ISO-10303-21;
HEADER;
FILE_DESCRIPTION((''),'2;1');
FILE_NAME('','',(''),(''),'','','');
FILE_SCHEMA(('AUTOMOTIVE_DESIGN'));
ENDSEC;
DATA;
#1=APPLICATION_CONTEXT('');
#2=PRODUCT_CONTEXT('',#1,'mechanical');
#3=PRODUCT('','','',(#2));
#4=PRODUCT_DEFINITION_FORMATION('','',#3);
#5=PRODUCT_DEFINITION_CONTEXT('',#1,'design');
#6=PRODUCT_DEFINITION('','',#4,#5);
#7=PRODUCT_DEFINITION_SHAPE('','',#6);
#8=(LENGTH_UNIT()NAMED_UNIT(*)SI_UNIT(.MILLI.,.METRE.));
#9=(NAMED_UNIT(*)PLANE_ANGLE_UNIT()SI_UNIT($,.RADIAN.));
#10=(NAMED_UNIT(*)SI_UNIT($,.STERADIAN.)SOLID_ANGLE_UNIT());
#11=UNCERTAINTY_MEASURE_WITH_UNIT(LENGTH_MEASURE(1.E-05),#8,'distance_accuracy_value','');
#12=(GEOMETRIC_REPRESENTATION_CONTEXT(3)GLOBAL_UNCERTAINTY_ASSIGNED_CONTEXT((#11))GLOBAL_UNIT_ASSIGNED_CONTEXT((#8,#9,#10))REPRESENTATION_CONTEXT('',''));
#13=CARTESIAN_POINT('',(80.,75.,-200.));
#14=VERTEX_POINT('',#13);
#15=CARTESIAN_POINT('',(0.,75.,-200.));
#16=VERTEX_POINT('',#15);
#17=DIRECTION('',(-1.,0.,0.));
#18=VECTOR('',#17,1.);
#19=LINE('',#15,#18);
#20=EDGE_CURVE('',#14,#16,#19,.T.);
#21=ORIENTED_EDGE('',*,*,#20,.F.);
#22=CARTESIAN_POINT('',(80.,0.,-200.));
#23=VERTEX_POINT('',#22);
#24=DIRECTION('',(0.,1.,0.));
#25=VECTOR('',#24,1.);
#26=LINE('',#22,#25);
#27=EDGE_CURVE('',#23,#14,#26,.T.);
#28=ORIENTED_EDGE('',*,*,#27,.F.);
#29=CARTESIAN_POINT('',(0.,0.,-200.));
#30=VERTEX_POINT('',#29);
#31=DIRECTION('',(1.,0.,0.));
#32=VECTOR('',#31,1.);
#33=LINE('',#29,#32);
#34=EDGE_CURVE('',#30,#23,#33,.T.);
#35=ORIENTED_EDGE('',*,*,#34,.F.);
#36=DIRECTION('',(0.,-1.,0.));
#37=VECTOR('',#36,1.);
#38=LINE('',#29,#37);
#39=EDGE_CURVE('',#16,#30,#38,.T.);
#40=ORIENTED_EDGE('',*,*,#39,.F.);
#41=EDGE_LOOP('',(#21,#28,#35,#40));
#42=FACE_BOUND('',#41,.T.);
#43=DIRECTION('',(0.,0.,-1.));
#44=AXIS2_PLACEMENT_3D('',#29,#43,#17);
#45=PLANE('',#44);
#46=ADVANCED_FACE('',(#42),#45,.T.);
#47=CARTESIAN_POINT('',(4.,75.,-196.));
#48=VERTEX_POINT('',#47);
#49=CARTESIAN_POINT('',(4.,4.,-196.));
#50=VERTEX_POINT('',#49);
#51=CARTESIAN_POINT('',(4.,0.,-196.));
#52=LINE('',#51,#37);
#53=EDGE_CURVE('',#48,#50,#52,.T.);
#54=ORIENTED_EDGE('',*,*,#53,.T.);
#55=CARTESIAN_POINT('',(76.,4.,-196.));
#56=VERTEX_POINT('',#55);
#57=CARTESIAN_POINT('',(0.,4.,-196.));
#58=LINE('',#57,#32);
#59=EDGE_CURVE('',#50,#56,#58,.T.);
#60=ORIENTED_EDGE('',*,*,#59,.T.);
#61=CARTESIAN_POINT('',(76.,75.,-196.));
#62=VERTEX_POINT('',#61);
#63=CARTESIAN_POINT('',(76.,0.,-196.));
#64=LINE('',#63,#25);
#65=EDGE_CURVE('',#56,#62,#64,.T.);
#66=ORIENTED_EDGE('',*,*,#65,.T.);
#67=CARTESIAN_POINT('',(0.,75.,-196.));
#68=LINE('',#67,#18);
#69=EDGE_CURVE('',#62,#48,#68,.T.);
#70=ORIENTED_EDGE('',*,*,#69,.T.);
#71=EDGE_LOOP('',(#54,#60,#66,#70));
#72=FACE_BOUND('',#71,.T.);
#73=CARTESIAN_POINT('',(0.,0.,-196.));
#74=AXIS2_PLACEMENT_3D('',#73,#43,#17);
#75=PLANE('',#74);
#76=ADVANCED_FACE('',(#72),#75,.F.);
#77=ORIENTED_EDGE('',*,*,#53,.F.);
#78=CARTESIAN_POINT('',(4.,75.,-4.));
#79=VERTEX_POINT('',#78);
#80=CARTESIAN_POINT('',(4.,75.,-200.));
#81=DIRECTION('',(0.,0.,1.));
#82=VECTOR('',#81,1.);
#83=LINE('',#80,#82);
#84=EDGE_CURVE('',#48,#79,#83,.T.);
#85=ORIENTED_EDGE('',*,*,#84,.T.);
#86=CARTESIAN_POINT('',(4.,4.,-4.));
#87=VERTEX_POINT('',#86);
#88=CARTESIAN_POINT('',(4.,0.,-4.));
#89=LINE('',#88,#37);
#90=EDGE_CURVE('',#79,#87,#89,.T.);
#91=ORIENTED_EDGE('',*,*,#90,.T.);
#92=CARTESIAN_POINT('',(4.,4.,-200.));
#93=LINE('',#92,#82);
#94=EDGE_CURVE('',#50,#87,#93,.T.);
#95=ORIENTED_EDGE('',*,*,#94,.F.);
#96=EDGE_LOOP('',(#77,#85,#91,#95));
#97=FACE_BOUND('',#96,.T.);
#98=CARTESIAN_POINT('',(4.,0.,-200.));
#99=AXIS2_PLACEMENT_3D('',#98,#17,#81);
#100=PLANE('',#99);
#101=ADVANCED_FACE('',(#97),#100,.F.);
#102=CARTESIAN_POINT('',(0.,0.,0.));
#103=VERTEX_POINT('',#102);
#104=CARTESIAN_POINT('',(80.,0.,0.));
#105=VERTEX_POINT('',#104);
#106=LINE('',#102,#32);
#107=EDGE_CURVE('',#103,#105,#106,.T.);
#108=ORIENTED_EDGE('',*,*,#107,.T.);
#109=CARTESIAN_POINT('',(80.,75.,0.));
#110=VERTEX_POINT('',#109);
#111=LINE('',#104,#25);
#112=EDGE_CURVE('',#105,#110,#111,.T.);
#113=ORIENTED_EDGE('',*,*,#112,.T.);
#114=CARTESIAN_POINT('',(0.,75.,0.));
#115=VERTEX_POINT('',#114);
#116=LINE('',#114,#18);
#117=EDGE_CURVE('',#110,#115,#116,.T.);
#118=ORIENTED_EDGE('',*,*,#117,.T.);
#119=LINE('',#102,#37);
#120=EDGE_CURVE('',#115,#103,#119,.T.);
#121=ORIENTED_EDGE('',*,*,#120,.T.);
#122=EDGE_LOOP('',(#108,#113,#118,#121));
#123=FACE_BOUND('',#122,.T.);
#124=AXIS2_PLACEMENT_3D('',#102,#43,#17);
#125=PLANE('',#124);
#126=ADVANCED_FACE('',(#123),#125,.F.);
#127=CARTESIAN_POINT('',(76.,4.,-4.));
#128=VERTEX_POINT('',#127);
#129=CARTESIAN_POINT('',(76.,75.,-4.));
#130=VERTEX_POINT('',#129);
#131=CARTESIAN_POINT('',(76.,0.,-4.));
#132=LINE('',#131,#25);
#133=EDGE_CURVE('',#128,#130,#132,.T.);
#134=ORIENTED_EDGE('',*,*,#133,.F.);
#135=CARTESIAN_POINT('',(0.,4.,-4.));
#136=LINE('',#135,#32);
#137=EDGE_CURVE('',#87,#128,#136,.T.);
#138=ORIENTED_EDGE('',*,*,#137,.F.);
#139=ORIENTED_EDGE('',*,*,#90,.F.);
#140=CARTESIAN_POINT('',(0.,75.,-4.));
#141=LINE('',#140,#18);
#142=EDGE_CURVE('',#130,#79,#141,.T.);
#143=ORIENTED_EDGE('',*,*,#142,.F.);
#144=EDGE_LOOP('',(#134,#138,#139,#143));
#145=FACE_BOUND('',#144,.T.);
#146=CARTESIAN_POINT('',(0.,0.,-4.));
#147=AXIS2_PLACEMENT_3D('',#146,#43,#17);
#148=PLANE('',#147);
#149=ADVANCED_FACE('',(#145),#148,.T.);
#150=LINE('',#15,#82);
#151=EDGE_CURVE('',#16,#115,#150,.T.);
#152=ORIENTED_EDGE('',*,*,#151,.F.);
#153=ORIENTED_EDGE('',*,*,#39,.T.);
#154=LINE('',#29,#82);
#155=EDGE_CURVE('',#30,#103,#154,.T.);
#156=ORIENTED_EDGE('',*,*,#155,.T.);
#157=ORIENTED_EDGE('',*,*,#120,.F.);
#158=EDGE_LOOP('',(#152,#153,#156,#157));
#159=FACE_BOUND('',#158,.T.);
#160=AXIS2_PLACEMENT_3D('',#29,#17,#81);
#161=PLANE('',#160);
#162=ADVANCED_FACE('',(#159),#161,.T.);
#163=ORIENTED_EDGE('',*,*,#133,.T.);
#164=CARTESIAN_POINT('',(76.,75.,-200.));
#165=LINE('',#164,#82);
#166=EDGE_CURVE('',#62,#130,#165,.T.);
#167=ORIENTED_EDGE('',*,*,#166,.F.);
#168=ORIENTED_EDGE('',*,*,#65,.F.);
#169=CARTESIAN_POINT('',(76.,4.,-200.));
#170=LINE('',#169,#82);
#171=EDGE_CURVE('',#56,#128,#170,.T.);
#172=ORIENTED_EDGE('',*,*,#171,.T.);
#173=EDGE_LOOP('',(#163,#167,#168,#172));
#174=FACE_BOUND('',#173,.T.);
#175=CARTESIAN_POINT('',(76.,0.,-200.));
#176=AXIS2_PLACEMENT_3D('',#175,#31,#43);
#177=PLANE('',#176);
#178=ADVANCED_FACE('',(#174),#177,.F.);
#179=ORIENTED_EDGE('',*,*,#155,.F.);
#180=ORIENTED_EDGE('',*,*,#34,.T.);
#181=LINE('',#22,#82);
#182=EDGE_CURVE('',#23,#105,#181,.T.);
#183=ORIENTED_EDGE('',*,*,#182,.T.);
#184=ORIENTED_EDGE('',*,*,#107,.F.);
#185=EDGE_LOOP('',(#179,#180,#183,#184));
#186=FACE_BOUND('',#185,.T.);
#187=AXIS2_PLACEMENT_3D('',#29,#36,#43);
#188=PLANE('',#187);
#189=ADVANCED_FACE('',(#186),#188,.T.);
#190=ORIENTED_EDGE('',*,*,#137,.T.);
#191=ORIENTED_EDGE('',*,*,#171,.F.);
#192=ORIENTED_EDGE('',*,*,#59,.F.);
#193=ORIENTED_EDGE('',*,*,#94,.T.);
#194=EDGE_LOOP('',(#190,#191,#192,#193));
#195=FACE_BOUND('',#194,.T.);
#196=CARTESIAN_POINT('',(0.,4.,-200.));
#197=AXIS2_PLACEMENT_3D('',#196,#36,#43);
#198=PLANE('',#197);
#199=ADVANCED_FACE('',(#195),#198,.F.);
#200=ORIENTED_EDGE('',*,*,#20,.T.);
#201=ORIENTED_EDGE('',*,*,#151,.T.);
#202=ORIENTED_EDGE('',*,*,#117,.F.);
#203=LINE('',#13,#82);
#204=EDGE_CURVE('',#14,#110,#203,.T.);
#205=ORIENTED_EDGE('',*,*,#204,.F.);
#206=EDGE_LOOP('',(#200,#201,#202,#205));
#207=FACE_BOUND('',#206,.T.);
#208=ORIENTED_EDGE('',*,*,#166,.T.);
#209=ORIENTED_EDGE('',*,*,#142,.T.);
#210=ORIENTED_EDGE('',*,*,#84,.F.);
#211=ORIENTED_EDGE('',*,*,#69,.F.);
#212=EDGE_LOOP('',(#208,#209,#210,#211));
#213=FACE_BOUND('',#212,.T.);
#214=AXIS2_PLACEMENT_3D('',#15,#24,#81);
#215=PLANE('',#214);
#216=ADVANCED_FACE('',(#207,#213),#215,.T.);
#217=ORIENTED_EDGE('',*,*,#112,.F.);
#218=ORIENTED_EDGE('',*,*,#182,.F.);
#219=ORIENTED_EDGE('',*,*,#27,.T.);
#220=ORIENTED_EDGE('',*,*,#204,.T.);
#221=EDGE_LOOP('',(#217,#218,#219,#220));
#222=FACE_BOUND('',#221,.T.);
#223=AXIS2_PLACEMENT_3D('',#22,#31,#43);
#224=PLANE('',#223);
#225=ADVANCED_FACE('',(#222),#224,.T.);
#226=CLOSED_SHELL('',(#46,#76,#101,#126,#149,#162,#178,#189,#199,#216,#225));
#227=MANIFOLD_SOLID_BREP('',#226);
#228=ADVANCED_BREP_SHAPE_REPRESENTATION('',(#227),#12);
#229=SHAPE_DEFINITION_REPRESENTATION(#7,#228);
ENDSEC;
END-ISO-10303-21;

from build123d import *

# Parameters (mm, degrees)
SKETCH1_W           = 80
SKETCH1_H           = 75
BOSS_EXTRUDE1_DEPTH = 200
SHELL1_T            = -4


with BuildPart() as part:
    # Sketch1 → Boss-Extrude1 (new body)
    with BuildSketch(Plane.XY):
        with Locations((40, 37.5)):
            Rectangle(SKETCH1_W, SKETCH1_H)
    extrude(amount=-BOSS_EXTRUDE1_DEPTH)

    # Shell1
    shell1_openings = [part.faces().sort_by_distance(p)[0] for p in [
        (40, 75, -100),
    ]]
    offset(amount=SHELL1_T, openings=shell1_openings, kind=Kind.INTERSECTION)


solid = part.part
